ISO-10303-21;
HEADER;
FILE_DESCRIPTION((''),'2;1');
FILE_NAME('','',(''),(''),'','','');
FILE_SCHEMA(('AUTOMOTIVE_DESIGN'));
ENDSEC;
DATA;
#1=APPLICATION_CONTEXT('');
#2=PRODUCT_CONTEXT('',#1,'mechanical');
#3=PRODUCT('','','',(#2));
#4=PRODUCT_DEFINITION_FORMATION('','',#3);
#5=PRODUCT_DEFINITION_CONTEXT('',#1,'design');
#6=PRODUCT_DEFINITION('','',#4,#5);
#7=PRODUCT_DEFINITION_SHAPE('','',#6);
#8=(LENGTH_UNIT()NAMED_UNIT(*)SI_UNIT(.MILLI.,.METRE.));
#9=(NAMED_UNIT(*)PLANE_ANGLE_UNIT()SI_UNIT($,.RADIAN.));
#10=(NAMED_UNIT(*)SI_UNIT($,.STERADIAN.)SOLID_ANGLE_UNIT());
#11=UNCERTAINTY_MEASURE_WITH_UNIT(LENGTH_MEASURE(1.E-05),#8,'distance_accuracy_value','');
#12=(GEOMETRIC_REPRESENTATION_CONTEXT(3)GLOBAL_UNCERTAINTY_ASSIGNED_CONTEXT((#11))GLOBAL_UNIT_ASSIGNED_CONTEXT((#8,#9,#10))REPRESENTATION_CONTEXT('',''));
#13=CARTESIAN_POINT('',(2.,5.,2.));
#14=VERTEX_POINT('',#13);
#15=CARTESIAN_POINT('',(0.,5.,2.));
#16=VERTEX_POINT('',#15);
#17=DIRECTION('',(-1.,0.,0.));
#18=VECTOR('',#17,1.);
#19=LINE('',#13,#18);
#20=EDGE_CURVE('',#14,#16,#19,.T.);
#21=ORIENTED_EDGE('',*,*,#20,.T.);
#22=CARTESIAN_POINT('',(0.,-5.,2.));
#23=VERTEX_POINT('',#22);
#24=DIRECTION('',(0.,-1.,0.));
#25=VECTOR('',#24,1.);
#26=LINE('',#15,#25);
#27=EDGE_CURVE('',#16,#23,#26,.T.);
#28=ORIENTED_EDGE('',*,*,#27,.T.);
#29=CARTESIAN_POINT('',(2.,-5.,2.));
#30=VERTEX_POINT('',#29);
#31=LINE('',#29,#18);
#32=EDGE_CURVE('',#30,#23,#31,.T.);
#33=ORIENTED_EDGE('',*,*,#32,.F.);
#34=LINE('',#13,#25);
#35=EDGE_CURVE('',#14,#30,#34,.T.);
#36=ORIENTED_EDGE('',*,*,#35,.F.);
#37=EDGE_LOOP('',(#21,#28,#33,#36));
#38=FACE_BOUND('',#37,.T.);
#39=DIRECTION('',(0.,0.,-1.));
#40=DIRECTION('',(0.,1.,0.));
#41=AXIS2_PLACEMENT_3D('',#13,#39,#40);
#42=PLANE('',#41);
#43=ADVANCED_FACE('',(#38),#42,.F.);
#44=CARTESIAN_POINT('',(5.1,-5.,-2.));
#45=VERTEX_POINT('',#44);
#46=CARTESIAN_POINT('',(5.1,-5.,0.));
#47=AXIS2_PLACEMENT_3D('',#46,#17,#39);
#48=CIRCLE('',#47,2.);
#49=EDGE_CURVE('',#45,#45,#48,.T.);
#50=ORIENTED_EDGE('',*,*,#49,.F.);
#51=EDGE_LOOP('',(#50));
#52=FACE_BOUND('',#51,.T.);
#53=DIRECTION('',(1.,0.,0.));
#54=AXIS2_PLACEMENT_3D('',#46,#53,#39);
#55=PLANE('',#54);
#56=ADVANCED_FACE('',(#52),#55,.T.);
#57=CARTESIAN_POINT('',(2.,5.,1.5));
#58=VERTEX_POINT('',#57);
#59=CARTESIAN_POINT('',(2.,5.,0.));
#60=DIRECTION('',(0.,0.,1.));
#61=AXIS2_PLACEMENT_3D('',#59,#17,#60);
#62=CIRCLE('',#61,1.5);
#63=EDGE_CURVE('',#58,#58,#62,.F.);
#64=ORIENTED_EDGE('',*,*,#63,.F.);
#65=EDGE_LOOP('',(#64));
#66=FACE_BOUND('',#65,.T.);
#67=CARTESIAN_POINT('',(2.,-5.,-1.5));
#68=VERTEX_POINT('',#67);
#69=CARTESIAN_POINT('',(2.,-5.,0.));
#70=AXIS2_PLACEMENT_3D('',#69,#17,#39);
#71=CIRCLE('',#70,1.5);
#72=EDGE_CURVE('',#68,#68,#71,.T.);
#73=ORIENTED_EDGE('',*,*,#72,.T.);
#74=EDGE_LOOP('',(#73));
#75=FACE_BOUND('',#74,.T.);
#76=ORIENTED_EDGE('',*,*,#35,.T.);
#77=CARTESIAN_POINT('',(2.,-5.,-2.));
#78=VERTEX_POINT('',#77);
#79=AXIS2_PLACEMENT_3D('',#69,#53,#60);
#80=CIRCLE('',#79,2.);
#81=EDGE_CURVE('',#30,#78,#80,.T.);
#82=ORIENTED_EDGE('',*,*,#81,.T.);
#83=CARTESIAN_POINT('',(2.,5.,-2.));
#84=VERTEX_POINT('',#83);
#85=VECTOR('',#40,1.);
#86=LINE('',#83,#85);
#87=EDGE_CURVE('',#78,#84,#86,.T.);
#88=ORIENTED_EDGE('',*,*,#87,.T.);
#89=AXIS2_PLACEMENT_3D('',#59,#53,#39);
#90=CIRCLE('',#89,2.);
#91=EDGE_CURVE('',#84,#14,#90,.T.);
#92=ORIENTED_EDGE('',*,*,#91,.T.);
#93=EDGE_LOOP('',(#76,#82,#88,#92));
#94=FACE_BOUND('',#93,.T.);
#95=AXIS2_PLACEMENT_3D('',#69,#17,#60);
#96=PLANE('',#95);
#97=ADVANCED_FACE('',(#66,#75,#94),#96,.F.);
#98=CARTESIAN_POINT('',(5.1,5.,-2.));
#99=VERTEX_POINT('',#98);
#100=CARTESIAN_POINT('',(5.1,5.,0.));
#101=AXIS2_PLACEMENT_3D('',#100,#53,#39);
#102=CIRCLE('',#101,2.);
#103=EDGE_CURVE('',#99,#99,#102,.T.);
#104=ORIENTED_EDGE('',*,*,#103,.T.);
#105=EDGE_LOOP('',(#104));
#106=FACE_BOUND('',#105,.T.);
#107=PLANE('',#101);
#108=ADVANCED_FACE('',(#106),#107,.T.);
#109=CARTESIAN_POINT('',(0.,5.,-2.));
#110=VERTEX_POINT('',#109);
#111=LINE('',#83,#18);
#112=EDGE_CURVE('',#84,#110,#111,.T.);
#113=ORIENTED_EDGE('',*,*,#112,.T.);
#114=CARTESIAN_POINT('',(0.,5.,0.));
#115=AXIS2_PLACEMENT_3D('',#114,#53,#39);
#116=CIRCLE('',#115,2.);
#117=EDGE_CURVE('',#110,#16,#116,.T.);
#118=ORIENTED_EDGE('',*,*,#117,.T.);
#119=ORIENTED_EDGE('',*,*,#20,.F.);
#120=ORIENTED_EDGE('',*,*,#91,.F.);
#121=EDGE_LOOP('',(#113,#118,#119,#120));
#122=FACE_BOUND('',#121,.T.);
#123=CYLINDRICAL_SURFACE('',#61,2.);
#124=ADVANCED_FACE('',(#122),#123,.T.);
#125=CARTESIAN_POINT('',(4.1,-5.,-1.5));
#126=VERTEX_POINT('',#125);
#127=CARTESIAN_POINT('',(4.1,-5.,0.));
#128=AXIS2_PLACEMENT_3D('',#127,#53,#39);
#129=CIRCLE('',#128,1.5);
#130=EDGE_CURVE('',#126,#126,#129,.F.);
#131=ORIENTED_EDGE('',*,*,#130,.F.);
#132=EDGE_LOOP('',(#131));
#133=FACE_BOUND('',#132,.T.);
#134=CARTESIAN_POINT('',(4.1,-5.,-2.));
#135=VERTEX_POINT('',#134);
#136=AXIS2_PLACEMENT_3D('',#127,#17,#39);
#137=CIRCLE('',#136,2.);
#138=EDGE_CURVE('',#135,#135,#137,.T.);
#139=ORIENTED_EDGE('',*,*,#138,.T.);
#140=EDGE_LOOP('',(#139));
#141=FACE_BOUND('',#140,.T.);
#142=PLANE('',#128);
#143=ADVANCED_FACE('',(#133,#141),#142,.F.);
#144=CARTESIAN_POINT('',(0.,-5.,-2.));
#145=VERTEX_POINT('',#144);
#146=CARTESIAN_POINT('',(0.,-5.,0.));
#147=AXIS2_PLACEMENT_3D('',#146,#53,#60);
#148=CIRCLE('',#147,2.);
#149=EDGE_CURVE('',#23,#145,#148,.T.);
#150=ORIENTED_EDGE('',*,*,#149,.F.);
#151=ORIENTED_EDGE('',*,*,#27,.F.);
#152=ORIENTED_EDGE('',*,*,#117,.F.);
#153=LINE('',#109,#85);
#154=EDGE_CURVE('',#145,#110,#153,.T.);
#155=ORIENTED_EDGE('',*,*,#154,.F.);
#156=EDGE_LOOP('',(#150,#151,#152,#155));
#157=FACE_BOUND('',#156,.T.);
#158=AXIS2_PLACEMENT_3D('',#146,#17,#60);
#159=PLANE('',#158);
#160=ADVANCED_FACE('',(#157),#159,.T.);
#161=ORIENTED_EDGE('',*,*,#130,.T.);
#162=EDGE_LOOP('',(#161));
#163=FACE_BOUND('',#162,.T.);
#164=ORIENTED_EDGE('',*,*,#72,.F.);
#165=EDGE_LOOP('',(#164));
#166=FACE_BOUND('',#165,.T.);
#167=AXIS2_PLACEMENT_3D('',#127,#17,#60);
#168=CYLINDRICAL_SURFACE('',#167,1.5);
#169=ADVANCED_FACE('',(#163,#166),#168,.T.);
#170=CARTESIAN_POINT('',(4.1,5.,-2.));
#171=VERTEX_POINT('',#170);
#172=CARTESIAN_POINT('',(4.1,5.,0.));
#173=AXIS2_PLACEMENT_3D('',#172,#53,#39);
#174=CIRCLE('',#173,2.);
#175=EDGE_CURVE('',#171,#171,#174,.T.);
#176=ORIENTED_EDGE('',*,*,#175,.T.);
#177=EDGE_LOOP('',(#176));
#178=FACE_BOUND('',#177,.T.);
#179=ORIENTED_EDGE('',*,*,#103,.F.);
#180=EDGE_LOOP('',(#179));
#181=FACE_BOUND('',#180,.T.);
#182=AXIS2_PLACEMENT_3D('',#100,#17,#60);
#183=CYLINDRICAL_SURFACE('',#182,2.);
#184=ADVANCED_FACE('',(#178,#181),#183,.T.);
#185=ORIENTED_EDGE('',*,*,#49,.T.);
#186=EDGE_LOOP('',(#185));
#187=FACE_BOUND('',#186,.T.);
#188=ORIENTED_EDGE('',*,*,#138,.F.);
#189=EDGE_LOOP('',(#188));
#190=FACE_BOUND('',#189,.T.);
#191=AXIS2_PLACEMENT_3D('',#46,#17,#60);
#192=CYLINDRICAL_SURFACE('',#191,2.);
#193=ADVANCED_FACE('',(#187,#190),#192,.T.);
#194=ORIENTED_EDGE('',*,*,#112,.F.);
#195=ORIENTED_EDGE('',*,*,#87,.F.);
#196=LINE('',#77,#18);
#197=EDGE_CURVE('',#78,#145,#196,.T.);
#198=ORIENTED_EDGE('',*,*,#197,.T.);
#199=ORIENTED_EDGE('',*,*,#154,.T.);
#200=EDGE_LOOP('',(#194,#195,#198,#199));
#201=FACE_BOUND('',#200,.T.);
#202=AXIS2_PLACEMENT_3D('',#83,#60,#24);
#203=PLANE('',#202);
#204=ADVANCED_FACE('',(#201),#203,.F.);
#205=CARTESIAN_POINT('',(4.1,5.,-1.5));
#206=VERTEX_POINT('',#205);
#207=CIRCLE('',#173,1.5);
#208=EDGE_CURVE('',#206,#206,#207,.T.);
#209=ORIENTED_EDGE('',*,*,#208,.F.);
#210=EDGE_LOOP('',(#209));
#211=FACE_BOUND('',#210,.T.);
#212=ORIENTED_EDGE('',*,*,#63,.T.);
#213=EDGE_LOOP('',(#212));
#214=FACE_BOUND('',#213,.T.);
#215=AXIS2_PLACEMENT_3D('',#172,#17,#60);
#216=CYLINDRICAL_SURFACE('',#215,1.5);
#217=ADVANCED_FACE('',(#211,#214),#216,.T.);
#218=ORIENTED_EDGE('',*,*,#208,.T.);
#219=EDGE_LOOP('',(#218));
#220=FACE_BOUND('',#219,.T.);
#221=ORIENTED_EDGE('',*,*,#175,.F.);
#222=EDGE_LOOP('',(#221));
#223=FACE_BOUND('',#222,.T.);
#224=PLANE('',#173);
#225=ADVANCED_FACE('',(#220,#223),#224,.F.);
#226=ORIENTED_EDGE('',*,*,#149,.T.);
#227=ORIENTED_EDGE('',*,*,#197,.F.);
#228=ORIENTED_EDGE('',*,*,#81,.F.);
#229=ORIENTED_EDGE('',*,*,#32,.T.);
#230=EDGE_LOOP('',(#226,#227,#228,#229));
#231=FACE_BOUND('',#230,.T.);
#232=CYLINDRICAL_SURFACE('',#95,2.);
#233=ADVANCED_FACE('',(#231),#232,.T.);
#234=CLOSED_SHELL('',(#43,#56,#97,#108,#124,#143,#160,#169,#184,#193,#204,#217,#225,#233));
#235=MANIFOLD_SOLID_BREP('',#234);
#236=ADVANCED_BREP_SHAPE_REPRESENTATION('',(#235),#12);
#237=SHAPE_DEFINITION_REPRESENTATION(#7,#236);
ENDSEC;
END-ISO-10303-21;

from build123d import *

# Parameters (mm, degrees)
BASE_DEPTH         = 2
ESQUISSE2_R        = 1.5
BOSS_FIX_DEPTH     = 2.1
ESQUISSE3_R        = 2
BOSS_BLOCAGE_DEPTH = 1


with BuildPart() as part:
    # Esquisse1 → BASE (new body)
    with BuildSketch(Plane(origin=(0, 0, 0), x_dir=(0, 0, -1), z_dir=(1, 0, 0))):
        with BuildLine():
            Line((2, 5), (2, -5))
            ThreePointArc((2, -5), (0, -7), (-2, -5))
            Line((-2, -5), (-2, 5))
            ThreePointArc((-2, 5), (0, 7), (2, 5))
        make_face()
    extrude(amount=BASE_DEPTH)

    # Esquisse2 → BOSS FIX (add)
    with BuildSketch(Plane(origin=(2, 0, 0), x_dir=(0, 0, -1), z_dir=(1, 0, 0))):
        with Locations(Location((0, 5, 0), (0, 0, 180))):
            Circle(ESQUISSE2_R)
    boss_fix = extrude(amount=BOSS_FIX_DEPTH)

    # Esquisse3 → BOSS BLOCAGE (add)
    with BuildSketch(Plane(origin=(4.1, 0, 0), x_dir=(0, 0, -1), z_dir=(1, 0, 0))):
        with Locations((0, 5)):
            Circle(ESQUISSE3_R)
    boss_blocage = extrude(amount=BOSS_BLOCAGE_DEPTH)

    # SYM FIXATION: BOSS FIX, BOSS BLOCAGE across plane
    add(boss_fix.mirror(Plane.ZX))
    add(boss_blocage.mirror(Plane.ZX))


solid = part.part
